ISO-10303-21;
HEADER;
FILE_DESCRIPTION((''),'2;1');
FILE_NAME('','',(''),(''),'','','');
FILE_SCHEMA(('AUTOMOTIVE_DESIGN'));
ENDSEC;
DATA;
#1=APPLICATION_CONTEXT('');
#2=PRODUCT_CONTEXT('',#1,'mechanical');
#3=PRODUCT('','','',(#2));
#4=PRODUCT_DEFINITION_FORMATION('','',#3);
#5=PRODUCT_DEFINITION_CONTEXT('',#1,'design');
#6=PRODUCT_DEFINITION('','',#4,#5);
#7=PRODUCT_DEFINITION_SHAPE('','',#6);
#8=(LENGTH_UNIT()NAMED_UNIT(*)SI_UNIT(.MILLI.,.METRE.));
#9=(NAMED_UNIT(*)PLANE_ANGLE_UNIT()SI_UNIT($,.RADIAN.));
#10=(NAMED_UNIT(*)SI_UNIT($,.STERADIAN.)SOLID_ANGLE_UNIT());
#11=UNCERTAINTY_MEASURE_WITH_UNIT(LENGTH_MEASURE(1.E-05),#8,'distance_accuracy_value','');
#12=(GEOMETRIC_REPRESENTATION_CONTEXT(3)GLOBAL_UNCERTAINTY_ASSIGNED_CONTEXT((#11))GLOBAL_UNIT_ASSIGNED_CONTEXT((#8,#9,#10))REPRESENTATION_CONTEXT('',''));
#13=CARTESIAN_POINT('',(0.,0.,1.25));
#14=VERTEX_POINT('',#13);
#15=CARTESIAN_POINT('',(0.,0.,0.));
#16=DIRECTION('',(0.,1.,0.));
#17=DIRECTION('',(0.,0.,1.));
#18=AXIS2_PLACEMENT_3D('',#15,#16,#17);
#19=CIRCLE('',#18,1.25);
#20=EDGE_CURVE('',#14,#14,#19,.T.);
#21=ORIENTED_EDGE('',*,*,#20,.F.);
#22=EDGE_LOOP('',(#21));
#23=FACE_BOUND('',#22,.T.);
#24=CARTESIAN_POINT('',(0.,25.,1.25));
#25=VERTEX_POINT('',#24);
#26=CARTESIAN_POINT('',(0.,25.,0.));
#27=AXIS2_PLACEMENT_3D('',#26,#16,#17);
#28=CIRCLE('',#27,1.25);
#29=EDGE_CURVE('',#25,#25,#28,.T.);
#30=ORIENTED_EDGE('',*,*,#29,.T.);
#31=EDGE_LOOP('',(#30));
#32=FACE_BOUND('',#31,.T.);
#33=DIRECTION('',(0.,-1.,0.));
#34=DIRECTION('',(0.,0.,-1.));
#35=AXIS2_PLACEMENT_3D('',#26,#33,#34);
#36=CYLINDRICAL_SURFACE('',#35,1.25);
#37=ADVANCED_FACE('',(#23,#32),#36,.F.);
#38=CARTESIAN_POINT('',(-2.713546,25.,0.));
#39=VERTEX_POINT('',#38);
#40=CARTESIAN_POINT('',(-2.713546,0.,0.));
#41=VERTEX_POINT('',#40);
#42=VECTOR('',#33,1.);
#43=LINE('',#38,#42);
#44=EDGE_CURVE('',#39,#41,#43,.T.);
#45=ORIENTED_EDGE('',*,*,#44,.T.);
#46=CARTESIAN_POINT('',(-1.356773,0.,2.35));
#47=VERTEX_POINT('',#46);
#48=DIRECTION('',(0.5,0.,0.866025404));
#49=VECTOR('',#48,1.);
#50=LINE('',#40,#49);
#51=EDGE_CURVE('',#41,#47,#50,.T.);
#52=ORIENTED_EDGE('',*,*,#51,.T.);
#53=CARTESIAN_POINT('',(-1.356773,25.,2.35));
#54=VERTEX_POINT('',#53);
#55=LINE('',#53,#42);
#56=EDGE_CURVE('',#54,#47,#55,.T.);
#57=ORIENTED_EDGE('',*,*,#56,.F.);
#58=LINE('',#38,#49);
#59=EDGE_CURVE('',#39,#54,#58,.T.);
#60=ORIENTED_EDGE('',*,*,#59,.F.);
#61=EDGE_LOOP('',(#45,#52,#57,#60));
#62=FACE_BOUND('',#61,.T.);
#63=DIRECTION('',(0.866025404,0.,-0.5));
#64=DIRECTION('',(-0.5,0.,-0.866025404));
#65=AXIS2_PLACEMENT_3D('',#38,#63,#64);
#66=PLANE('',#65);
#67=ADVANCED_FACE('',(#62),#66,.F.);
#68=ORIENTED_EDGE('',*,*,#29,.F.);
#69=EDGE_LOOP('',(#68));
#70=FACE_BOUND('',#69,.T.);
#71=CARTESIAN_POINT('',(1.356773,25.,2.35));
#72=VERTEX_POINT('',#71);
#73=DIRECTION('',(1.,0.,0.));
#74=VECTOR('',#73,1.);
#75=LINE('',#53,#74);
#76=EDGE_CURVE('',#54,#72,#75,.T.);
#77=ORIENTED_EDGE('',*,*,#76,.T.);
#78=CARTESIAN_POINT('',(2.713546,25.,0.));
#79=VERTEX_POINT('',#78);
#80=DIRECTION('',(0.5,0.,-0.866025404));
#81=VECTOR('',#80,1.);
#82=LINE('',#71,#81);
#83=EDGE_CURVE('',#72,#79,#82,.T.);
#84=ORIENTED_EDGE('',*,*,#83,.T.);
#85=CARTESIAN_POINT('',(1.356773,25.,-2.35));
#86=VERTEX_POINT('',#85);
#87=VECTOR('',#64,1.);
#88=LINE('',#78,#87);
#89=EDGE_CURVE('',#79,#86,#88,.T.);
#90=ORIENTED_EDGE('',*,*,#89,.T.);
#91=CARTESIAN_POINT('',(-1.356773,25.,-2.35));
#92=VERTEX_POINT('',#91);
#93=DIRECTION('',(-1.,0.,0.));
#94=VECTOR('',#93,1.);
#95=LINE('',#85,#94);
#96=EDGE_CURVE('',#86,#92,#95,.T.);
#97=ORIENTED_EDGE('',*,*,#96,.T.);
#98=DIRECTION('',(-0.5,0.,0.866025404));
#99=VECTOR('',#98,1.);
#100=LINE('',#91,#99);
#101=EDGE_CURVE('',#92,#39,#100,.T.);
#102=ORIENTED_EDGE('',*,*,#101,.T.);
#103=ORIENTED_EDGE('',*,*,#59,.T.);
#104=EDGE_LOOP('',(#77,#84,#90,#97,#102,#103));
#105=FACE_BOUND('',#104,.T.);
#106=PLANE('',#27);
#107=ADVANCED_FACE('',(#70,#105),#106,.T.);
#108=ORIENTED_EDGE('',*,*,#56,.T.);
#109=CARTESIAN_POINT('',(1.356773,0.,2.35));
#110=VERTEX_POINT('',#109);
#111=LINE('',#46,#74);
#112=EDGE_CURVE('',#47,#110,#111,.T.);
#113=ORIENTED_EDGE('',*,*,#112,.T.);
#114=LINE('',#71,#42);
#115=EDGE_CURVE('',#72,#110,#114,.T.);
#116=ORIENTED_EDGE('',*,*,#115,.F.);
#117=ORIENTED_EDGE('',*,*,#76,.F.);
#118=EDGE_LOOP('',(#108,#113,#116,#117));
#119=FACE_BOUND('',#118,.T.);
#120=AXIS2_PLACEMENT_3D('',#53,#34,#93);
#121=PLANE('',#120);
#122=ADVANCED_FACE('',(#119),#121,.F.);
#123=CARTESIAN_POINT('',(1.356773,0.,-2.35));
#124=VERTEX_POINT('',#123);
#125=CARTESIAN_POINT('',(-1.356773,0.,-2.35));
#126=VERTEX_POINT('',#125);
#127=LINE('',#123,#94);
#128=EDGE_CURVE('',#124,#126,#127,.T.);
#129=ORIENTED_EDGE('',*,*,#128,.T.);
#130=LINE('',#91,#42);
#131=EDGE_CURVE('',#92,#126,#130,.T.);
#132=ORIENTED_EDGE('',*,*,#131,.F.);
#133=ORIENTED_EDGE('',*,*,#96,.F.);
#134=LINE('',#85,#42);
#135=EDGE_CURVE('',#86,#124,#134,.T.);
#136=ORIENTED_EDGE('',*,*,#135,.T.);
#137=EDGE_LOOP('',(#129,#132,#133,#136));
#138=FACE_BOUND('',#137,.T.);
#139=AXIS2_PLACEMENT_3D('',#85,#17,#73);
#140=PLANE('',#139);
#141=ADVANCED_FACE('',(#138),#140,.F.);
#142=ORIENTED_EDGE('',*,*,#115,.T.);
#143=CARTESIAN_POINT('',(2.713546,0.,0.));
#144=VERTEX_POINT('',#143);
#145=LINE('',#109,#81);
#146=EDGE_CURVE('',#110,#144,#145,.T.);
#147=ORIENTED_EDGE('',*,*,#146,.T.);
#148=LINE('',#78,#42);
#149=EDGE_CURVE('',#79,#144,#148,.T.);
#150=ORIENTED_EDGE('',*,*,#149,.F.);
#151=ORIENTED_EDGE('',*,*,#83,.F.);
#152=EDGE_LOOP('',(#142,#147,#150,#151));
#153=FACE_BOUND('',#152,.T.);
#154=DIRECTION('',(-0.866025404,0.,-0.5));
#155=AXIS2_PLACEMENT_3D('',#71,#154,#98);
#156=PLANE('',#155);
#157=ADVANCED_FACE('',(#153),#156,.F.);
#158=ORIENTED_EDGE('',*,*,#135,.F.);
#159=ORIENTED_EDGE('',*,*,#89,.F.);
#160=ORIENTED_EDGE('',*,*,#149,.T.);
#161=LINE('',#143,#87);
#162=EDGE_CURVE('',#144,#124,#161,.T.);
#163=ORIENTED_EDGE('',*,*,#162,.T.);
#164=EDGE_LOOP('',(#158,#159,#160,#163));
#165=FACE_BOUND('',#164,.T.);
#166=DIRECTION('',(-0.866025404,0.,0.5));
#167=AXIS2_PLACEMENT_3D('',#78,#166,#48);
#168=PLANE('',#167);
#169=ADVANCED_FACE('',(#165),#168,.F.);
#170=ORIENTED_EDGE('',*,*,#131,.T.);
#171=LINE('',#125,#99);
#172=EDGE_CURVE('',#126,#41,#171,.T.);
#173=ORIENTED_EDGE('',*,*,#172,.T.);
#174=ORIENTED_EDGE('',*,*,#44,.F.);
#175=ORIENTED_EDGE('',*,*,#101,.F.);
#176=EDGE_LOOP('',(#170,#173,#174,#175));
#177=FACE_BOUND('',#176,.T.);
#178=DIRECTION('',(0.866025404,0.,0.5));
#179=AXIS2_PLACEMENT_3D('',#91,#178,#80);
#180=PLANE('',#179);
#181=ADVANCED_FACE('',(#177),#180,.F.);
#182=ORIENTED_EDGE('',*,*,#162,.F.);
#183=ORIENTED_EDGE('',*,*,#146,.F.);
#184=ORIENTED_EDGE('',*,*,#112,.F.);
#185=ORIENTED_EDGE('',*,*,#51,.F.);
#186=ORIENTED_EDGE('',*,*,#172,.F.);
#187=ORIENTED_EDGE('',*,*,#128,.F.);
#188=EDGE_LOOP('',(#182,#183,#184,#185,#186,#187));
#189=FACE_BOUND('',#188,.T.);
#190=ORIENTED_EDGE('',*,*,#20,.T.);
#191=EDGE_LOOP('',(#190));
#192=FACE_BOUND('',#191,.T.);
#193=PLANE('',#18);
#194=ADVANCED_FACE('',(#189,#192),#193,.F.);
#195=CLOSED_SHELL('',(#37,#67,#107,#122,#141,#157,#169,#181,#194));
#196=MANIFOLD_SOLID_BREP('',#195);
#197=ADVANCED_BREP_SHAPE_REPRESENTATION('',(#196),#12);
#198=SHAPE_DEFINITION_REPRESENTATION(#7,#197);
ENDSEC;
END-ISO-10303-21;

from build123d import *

# Parameters (mm, degrees)
SKETCH1_R           = 1.25
BOSS_EXTRUDE1_DEPTH = 25


with BuildPart() as part:
    # Sketch1 → Boss-Extrude1 (new body)
    with BuildSketch(Plane(origin=(0, 0, 0), x_dir=(1, 0, 0), z_dir=(0, 1, 0))):
        Polygon((1.356773133, 2.35), (-1.356773133, 2.35), (-2.713546265, 0), (-1.356773133, -2.35), (1.356773133, -2.35), (2.713546265, 0), align=None)
        with Locations(Location((0, 0, 0), (0, 0, 270))):
            Circle(SKETCH1_R, mode=Mode.SUBTRACT)
    extrude(amount=BOSS_EXTRUDE1_DEPTH)


solid = part.part
